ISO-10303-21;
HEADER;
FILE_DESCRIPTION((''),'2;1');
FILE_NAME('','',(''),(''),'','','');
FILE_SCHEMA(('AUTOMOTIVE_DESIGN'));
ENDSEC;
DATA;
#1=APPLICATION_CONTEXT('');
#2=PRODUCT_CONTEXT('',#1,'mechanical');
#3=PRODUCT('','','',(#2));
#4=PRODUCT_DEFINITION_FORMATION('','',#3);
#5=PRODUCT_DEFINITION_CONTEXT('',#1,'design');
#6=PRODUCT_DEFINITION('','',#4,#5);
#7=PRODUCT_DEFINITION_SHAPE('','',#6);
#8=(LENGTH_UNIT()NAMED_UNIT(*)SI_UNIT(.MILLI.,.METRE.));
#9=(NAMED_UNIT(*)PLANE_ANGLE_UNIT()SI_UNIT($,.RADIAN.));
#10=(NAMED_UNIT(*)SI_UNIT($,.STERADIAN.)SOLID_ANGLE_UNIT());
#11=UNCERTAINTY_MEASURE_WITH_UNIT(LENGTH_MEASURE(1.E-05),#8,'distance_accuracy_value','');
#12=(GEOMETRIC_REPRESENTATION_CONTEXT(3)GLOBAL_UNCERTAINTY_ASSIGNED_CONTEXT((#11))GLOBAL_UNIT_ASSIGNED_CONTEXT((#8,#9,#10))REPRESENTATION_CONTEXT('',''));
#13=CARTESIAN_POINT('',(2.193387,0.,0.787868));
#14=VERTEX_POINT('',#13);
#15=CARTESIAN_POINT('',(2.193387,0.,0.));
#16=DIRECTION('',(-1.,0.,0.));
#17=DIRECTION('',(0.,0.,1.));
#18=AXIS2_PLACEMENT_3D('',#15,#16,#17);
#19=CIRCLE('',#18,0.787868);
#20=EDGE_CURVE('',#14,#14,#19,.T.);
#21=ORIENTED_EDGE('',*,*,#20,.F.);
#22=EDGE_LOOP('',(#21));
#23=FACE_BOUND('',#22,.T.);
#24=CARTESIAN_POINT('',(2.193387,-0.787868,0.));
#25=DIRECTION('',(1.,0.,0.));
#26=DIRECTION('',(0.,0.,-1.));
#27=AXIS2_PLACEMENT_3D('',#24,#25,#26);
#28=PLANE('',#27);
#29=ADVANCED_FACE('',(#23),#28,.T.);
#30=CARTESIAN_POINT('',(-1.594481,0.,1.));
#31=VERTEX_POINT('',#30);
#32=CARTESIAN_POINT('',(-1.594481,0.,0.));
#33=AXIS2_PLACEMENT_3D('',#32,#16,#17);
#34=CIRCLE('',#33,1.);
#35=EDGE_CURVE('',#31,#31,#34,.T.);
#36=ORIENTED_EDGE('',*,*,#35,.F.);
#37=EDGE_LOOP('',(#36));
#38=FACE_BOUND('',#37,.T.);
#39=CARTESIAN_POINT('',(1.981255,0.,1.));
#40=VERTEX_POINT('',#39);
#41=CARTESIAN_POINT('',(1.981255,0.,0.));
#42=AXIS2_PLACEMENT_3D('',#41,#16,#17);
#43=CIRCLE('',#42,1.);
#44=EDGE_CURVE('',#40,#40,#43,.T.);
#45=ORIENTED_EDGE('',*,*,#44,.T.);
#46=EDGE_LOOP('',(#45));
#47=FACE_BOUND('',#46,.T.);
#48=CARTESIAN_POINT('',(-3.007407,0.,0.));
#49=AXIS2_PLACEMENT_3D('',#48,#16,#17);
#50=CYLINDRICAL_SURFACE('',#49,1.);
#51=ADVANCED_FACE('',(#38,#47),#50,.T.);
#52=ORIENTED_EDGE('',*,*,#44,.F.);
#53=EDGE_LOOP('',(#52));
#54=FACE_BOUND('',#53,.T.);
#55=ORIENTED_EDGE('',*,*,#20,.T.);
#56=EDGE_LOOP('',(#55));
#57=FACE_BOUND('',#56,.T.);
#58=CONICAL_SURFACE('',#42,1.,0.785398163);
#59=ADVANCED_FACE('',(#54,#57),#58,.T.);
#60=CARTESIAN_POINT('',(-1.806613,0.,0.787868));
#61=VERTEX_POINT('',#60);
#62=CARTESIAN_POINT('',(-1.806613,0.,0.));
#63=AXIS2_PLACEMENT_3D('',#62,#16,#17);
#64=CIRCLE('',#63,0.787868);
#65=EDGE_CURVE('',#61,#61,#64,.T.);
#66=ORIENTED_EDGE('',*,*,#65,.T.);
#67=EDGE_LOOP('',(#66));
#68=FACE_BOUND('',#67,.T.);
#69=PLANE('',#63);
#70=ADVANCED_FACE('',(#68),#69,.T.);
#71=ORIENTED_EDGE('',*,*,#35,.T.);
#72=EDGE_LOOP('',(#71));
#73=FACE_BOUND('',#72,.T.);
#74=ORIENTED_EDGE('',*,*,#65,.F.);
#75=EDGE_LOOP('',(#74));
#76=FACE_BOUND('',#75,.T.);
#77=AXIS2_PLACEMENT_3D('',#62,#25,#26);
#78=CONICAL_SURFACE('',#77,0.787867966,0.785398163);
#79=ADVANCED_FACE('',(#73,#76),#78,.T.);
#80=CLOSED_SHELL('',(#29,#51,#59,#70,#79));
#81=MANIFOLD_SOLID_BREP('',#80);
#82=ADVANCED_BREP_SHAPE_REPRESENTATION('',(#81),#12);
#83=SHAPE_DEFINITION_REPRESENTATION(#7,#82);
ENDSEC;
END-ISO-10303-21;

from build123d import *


with BuildPart() as part:
    # Sketch1 → Revolve1 (revolve)
    with BuildSketch(Plane.XY):
        Polygon((-1.806613277, 0), (-1.806613277, -0.787867966), (-1.594481243, -1), (1.981254688, -1), (2.193386723, -0.787867966), (2.193386723, 0), align=None)
    revolve(axis=Axis((-3.007407407, 0, 0), (1, 0, 0)))


solid = part.part
